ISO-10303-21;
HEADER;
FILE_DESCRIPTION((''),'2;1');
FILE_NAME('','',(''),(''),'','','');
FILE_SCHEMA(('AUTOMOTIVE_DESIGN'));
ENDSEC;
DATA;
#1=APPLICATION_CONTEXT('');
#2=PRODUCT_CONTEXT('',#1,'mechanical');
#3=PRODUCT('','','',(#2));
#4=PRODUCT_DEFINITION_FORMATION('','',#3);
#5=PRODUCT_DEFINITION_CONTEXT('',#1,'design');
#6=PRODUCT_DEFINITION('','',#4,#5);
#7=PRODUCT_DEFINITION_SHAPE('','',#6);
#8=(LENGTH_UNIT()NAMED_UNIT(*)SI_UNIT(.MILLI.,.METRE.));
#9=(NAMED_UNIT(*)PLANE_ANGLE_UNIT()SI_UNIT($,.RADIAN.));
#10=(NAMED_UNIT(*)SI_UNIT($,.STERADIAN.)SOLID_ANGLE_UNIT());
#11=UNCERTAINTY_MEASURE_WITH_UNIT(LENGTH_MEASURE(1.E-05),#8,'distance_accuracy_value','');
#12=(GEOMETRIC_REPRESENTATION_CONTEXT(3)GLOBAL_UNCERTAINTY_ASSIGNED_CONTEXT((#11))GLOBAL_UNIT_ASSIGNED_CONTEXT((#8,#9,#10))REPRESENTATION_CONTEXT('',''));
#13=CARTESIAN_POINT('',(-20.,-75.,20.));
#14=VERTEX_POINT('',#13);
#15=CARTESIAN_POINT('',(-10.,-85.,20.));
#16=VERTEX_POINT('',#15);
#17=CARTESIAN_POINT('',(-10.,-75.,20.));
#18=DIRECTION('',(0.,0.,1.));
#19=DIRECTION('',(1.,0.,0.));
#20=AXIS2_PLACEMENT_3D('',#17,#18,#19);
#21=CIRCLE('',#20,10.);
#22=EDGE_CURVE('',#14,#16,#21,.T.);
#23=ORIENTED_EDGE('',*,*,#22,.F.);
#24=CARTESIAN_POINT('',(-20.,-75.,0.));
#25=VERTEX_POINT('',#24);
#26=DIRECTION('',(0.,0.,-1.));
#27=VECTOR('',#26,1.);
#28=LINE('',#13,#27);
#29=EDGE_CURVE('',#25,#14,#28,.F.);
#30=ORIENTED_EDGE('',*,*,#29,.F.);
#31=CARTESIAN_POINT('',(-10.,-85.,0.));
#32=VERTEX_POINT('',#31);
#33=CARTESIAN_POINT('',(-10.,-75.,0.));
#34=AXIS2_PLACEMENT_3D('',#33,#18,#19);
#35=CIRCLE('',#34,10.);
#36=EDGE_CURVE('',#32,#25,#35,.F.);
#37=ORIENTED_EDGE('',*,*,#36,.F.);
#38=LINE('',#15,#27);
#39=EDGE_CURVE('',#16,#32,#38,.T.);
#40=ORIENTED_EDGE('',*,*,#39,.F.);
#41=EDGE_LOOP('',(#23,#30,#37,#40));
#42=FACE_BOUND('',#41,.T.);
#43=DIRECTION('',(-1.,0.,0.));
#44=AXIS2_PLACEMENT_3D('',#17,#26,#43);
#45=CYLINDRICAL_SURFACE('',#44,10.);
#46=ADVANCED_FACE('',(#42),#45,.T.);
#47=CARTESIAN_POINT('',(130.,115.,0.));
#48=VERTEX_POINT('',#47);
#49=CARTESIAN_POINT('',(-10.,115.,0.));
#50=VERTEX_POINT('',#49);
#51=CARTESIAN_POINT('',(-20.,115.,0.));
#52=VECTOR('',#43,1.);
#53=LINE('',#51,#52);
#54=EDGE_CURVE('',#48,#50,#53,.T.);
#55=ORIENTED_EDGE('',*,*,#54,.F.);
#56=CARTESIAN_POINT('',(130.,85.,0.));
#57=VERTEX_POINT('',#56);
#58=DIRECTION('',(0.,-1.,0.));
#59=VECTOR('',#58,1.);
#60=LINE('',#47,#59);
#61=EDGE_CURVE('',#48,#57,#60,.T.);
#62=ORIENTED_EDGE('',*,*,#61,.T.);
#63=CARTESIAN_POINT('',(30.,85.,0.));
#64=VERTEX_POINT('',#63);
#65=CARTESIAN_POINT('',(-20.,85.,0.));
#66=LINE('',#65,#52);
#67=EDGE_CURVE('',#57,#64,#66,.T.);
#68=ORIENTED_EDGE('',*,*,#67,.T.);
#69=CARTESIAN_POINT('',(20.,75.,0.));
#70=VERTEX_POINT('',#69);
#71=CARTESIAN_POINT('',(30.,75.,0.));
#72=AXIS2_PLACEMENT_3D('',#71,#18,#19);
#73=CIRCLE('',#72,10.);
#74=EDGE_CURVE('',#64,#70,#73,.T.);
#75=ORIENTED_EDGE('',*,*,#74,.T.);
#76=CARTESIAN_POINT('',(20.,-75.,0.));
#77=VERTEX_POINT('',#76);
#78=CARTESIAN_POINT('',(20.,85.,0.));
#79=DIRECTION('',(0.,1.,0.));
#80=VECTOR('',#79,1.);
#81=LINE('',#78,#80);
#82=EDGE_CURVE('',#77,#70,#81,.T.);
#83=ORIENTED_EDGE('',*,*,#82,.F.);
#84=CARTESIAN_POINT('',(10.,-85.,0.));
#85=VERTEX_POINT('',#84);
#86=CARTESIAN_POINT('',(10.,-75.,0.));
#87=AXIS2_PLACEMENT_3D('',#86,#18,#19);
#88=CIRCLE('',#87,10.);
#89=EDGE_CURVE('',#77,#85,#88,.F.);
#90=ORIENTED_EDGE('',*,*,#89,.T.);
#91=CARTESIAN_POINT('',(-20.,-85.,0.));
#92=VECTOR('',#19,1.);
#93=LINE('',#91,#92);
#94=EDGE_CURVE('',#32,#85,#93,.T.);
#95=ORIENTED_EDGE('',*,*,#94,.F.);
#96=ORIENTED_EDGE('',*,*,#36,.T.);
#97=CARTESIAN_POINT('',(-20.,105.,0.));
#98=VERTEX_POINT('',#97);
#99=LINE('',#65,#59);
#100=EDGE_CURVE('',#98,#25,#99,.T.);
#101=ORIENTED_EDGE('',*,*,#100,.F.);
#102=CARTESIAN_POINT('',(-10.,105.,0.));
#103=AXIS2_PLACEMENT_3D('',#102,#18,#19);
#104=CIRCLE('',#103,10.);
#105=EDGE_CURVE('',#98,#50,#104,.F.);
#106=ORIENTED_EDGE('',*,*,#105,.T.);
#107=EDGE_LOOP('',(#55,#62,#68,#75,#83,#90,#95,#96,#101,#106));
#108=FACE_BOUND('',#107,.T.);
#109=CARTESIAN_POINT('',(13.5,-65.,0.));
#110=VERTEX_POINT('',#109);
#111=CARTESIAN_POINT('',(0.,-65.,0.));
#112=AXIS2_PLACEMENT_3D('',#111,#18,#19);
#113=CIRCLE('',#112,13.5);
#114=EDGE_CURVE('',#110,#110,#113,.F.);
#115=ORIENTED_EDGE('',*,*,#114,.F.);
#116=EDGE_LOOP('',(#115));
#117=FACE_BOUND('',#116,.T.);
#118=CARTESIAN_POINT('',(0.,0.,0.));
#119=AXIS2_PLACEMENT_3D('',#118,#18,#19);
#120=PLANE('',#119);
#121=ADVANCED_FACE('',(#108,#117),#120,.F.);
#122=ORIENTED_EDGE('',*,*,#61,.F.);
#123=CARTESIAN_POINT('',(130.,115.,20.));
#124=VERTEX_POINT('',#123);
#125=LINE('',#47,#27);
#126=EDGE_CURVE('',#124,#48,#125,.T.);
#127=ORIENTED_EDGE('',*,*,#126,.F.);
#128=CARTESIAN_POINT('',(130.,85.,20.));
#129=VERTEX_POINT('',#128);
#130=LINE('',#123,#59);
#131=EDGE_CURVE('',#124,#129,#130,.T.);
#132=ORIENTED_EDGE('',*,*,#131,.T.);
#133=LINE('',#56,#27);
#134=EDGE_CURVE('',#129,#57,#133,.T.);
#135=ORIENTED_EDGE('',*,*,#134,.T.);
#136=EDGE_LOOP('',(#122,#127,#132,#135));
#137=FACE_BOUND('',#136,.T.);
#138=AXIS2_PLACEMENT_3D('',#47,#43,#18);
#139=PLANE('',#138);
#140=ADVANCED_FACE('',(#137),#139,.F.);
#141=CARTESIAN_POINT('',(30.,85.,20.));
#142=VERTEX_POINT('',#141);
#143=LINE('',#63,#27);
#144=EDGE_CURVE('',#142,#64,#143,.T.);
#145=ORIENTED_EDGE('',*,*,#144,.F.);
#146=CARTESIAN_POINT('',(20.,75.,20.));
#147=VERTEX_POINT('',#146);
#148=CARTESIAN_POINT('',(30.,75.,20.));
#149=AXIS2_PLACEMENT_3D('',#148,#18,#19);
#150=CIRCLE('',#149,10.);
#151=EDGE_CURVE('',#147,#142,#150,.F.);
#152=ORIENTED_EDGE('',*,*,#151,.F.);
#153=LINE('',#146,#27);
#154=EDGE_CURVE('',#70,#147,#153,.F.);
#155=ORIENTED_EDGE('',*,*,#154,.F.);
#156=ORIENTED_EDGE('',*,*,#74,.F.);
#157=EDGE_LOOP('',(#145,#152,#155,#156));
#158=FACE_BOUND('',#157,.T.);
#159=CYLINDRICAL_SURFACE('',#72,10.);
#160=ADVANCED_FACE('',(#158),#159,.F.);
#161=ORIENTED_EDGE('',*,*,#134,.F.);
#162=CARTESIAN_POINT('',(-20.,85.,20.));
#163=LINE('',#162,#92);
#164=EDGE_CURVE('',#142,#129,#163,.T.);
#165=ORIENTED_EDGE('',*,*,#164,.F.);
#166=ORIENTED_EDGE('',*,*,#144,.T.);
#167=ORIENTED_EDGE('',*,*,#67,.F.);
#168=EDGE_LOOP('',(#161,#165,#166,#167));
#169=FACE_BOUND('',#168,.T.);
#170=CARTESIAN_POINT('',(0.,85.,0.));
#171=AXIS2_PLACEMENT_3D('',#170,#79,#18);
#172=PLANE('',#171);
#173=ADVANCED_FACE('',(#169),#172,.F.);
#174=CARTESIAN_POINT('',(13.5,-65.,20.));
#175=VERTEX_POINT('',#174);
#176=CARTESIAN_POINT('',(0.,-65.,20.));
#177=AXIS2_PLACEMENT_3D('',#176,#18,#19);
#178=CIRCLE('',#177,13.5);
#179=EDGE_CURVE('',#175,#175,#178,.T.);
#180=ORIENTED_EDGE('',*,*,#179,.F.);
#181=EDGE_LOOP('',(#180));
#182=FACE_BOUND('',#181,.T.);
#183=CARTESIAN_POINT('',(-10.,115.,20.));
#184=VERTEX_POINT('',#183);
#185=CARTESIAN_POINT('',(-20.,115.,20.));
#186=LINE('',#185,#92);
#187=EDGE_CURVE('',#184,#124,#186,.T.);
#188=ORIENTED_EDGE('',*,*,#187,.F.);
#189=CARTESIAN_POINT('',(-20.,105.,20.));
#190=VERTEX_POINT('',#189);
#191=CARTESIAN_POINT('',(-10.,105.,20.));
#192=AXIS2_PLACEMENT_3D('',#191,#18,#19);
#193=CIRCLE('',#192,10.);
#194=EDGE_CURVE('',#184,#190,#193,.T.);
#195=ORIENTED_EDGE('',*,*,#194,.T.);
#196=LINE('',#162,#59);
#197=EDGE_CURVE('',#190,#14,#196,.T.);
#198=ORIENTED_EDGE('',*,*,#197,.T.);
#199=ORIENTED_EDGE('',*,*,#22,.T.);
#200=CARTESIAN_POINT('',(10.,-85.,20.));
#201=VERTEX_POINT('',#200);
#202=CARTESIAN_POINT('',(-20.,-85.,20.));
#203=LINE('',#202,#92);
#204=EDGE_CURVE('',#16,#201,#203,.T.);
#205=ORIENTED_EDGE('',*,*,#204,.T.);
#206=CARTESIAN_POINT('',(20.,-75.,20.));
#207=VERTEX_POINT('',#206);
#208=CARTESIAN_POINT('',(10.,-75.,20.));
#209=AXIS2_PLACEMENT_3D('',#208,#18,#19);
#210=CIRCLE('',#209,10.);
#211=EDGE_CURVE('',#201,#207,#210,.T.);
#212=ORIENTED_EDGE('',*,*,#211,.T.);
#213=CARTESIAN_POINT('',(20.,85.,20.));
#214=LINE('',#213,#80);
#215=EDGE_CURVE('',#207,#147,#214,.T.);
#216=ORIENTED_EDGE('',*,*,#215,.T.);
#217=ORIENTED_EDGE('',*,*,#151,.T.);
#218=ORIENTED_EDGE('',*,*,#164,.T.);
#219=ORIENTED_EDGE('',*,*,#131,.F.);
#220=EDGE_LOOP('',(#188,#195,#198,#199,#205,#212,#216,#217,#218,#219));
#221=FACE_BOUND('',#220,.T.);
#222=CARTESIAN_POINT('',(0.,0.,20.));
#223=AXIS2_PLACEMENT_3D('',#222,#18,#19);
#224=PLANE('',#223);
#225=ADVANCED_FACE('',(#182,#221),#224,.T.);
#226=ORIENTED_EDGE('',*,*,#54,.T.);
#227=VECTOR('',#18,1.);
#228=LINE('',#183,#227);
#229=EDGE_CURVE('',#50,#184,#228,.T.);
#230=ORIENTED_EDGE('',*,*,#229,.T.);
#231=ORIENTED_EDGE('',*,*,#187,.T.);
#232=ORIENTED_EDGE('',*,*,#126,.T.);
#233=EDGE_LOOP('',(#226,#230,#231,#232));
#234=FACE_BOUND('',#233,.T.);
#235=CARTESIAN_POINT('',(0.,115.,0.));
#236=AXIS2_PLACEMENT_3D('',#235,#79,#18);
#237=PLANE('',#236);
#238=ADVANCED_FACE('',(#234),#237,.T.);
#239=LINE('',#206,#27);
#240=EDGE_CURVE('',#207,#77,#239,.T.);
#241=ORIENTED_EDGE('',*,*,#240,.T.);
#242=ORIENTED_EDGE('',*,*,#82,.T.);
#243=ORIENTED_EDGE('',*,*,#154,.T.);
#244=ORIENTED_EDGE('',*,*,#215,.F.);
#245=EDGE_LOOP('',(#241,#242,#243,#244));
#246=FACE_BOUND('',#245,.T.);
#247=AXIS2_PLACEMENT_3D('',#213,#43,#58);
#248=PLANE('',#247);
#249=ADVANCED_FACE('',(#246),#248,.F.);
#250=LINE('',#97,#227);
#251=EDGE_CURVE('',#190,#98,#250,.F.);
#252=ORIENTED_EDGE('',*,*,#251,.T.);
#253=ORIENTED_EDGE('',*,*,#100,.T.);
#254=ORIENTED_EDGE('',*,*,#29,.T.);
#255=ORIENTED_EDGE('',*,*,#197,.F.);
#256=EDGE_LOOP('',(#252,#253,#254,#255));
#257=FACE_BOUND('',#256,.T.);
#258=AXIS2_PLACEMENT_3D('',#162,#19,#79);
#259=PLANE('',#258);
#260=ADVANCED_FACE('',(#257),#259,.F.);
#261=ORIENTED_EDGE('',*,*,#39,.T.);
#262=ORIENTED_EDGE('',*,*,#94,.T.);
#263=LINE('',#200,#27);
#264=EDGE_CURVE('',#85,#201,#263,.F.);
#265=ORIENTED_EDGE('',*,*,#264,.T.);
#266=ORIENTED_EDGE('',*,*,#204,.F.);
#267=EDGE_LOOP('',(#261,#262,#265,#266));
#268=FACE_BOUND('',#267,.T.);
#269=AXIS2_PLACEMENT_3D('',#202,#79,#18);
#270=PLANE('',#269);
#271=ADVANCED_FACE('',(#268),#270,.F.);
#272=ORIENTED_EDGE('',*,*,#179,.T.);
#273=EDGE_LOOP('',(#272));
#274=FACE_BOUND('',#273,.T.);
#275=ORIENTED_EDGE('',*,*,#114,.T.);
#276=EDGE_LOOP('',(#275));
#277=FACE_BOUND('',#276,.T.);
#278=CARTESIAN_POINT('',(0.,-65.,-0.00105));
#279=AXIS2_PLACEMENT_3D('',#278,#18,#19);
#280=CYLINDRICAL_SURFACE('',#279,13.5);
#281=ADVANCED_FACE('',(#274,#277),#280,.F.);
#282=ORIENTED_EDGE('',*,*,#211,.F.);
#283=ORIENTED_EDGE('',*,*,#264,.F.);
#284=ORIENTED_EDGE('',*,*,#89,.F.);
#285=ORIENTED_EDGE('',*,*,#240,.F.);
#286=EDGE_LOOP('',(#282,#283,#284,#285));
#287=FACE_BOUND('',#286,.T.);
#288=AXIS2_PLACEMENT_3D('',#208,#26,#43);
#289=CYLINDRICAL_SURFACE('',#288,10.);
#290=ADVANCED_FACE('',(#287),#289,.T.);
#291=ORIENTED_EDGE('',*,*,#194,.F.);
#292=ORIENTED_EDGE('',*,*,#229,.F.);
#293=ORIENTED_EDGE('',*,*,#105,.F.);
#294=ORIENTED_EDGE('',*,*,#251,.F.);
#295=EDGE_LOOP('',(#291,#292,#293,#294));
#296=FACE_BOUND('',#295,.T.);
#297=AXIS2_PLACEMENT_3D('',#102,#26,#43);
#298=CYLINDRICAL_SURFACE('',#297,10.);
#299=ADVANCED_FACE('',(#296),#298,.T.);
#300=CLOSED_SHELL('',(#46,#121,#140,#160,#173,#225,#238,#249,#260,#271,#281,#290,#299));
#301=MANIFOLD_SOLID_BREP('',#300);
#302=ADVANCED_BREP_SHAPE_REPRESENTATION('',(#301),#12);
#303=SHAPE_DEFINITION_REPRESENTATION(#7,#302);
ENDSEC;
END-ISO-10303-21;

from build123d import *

# Parameters (mm, degrees)
SKETCH1_W           = 40
SKETCH1_H           = 170
BOSS_EXTRUDE1_DEPTH = 20
SKETCH2_W           = 150
SKETCH2_H           = 20
BOSS_EXTRUDE2_DEPTH = 30
FILLET1_R           = 10
CUT_EXTRUDE1_REACH  = 22
SKETCH3_R           = 13.5
FILLET2_R           = 10


with BuildPart() as part:
    # Sketch1 → Boss-Extrude1 (new body)
    with BuildSketch(Plane.XY):
        Rectangle(SKETCH1_W, SKETCH1_H)
    extrude(amount=BOSS_EXTRUDE1_DEPTH)

    # Sketch2 → Boss-Extrude2 (add)
    with BuildSketch(Plane(origin=(0, 85, 0), x_dir=(1, 0, 0), z_dir=(0, 1, 0))):
        with Locations((55, -10)):
            Rectangle(SKETCH2_W, SKETCH2_H)
    extrude(amount=BOSS_EXTRUDE2_DEPTH)

    # Fillet1
    fillet1_edges = [part.edges().sort_by_distance(p)[0] for p in [
        (20, -85, 10),
        (-20, -85, 10),
        (-20, 115, 10),
    ]]
    fillet(fillet1_edges, radius=FILLET1_R)

    # Sketch3 → Cut-Extrude1 (cut, up to next)
    with BuildSketch(Plane.XY.offset(20), mode=Mode.PRIVATE) as cut_extrude1_sk1:
        with Locations((0, -65)):
            Circle(SKETCH3_R)
    cut_extrude1_tool1 = extrude(cut_extrude1_sk1.sketch, amount=-CUT_EXTRUDE1_REACH, mode=Mode.PRIVATE) & part.part
    add(cut_extrude1_tool1.solids().sort_by_distance((0, -65, 20))[0], mode=Mode.SUBTRACT)

    # Fillet2
    fillet2_edges = [part.edges().sort_by_distance(p)[0] for p in [
        (20, 85, 10),
    ]]
    fillet(fillet2_edges, radius=FILLET2_R)


solid = part.part
